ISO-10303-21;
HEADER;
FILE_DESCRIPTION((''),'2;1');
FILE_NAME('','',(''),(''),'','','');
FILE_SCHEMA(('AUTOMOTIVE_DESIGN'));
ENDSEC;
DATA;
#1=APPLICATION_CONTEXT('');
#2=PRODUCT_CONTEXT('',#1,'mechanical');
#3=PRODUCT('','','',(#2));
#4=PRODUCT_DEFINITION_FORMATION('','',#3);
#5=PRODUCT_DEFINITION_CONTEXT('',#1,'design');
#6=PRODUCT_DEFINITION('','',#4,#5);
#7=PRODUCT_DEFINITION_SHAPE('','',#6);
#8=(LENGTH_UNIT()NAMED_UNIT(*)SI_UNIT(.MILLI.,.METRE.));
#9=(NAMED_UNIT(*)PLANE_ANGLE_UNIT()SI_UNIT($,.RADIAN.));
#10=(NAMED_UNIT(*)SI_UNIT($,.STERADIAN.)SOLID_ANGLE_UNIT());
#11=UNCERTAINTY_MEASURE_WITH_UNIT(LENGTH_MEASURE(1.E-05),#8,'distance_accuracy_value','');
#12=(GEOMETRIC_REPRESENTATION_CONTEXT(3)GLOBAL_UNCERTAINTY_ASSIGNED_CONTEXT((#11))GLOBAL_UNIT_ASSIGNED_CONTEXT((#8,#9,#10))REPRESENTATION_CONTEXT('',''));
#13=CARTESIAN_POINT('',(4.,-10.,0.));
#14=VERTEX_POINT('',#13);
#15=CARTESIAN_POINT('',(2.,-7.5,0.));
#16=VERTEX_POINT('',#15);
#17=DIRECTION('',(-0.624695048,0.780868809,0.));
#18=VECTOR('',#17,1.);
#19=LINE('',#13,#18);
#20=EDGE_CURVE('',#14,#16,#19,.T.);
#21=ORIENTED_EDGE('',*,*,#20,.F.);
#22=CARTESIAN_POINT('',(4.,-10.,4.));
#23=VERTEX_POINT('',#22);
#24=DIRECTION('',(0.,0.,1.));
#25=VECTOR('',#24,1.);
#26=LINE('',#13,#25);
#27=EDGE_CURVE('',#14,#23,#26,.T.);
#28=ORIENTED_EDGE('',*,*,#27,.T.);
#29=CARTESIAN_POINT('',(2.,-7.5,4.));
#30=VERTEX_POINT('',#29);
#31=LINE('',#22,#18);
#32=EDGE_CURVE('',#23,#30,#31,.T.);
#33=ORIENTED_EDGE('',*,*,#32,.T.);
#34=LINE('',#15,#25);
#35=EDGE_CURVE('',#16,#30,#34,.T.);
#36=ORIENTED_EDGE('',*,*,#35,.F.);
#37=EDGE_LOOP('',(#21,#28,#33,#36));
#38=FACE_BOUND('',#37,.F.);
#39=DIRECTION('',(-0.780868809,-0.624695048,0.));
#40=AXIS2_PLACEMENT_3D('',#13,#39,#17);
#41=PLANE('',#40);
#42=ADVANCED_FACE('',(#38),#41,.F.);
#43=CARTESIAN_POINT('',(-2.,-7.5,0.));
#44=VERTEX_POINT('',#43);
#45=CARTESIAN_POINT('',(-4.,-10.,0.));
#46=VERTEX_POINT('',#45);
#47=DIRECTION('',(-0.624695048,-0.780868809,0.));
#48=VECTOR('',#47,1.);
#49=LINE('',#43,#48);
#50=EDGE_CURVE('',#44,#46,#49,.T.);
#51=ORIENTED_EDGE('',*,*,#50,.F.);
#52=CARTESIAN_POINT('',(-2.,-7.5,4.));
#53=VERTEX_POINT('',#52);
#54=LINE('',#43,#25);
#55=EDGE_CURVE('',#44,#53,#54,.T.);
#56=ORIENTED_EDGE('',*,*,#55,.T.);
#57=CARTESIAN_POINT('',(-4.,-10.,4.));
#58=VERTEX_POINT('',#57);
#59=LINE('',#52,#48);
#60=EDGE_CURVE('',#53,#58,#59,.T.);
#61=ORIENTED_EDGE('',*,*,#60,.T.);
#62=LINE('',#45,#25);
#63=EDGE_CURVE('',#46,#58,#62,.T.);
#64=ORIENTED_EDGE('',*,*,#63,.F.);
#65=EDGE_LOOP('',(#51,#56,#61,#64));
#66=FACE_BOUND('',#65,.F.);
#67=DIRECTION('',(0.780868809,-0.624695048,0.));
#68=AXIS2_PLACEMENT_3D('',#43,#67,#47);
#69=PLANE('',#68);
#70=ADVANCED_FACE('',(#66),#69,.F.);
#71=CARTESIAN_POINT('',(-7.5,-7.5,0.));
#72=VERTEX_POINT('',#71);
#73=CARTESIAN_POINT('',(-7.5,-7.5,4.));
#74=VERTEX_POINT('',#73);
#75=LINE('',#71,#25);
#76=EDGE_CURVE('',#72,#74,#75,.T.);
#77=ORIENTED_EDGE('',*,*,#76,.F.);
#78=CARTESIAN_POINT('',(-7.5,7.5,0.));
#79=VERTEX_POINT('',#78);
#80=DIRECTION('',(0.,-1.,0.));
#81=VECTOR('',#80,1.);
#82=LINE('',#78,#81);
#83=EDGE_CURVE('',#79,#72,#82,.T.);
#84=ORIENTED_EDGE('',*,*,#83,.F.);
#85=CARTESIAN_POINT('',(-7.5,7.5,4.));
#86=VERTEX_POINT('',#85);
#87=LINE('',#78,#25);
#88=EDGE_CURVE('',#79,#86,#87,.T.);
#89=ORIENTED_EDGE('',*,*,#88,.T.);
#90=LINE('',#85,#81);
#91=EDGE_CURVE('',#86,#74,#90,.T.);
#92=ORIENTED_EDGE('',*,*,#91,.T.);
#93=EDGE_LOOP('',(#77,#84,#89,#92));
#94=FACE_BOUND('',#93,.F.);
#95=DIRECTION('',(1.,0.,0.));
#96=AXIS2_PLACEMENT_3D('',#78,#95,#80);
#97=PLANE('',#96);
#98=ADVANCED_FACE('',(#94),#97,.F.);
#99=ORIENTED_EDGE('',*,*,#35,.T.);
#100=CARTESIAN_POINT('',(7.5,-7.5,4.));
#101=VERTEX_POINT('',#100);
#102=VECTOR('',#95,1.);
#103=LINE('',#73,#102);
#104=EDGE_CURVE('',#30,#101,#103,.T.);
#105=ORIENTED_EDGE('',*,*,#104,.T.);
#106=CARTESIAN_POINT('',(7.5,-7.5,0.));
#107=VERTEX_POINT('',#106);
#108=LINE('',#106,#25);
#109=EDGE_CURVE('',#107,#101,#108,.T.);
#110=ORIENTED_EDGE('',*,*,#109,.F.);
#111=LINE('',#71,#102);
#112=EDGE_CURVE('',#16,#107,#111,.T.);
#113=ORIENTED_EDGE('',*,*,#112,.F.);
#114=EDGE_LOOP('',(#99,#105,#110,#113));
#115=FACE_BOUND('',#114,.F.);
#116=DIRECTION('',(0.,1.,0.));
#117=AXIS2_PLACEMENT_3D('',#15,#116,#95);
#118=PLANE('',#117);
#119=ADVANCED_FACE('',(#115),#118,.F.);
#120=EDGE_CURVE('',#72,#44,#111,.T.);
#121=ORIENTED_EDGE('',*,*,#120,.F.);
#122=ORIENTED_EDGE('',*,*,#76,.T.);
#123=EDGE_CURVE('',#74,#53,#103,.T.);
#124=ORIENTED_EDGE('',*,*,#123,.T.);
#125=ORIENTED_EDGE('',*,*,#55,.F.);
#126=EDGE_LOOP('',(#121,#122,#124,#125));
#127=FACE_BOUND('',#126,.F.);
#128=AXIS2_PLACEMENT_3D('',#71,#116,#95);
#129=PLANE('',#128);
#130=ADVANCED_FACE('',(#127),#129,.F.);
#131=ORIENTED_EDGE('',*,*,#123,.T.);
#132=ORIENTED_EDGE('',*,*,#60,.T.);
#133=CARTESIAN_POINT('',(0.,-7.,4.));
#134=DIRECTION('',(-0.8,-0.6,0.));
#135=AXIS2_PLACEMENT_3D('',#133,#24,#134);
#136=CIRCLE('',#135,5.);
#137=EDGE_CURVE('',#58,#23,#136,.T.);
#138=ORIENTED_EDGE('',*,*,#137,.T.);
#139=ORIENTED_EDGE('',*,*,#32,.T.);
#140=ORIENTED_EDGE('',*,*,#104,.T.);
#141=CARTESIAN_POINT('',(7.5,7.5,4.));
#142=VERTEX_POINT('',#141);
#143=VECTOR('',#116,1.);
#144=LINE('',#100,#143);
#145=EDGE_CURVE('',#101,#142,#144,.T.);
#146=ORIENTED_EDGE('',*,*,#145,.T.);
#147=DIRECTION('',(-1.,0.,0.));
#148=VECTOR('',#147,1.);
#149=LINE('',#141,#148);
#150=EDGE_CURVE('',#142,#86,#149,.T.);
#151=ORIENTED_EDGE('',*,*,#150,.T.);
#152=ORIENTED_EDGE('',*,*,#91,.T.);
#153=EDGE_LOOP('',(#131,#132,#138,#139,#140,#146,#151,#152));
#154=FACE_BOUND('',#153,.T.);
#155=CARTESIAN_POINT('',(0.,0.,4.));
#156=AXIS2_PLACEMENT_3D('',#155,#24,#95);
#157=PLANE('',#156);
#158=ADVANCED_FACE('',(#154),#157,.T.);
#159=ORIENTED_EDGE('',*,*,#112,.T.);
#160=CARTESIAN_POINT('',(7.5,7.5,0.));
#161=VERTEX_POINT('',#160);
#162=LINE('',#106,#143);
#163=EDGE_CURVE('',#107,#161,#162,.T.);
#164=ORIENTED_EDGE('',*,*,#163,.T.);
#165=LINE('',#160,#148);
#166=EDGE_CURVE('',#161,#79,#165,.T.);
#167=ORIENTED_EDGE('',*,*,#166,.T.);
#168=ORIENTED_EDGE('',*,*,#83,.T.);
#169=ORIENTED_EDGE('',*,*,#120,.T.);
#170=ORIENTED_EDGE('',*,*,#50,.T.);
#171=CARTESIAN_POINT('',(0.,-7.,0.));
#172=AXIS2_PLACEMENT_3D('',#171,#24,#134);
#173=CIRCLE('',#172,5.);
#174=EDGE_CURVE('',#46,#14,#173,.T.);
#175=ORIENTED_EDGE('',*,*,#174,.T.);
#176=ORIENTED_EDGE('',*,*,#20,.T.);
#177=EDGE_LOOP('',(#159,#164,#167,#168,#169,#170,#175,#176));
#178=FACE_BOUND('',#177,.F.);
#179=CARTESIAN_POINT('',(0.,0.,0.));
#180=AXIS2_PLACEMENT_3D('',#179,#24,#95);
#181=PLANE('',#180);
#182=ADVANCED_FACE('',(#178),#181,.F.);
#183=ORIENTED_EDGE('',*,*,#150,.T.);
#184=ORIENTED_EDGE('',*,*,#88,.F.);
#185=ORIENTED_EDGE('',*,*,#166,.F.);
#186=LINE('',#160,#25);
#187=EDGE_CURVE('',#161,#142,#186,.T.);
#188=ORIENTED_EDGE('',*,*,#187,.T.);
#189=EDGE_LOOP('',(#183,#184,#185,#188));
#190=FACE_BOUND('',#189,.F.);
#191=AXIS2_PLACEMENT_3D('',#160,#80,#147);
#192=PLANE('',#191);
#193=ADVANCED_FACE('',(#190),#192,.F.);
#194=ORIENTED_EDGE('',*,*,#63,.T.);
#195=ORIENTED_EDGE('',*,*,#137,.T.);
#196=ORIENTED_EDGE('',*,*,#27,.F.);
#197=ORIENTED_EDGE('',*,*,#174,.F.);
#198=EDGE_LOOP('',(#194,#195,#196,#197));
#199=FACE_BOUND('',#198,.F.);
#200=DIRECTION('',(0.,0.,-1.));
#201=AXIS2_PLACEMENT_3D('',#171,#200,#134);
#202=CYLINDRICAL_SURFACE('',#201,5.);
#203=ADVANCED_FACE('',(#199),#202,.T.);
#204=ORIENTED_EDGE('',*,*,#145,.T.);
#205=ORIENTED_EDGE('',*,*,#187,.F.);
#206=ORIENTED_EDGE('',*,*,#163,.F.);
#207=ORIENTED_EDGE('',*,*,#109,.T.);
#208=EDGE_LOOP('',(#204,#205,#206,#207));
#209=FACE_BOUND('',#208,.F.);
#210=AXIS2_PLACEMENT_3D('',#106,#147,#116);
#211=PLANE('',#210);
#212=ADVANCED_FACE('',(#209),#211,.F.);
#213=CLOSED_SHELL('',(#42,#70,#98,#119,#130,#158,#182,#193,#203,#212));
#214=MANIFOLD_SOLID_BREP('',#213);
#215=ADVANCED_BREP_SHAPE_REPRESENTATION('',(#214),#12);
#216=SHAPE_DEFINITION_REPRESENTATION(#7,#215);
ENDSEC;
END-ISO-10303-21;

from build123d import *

# Parameters (mm, degrees)
F1_DEPTH = 4


with BuildPart() as f1:
    # F0 (on Top) → F1 (new body)
    with BuildSketch(Plane.XY):
        Polygon((7.5, -7.5), (7.5, 7.5), (-7.5, 7.5), (-7.5, -7.5), (-2, -7.5), (2, -7.5), align=None)
        with BuildLine():
            Line((4, -10), (2, -7.5))
            Line((2, -7.5), (-2, -7.5))
            Line((-2, -7.5), (-4, -10))
            ThreePointArc((-4, -10), (0, -12), (4, -10))
        make_face()
    extrude(amount=F1_DEPTH)


solid = f1.part
